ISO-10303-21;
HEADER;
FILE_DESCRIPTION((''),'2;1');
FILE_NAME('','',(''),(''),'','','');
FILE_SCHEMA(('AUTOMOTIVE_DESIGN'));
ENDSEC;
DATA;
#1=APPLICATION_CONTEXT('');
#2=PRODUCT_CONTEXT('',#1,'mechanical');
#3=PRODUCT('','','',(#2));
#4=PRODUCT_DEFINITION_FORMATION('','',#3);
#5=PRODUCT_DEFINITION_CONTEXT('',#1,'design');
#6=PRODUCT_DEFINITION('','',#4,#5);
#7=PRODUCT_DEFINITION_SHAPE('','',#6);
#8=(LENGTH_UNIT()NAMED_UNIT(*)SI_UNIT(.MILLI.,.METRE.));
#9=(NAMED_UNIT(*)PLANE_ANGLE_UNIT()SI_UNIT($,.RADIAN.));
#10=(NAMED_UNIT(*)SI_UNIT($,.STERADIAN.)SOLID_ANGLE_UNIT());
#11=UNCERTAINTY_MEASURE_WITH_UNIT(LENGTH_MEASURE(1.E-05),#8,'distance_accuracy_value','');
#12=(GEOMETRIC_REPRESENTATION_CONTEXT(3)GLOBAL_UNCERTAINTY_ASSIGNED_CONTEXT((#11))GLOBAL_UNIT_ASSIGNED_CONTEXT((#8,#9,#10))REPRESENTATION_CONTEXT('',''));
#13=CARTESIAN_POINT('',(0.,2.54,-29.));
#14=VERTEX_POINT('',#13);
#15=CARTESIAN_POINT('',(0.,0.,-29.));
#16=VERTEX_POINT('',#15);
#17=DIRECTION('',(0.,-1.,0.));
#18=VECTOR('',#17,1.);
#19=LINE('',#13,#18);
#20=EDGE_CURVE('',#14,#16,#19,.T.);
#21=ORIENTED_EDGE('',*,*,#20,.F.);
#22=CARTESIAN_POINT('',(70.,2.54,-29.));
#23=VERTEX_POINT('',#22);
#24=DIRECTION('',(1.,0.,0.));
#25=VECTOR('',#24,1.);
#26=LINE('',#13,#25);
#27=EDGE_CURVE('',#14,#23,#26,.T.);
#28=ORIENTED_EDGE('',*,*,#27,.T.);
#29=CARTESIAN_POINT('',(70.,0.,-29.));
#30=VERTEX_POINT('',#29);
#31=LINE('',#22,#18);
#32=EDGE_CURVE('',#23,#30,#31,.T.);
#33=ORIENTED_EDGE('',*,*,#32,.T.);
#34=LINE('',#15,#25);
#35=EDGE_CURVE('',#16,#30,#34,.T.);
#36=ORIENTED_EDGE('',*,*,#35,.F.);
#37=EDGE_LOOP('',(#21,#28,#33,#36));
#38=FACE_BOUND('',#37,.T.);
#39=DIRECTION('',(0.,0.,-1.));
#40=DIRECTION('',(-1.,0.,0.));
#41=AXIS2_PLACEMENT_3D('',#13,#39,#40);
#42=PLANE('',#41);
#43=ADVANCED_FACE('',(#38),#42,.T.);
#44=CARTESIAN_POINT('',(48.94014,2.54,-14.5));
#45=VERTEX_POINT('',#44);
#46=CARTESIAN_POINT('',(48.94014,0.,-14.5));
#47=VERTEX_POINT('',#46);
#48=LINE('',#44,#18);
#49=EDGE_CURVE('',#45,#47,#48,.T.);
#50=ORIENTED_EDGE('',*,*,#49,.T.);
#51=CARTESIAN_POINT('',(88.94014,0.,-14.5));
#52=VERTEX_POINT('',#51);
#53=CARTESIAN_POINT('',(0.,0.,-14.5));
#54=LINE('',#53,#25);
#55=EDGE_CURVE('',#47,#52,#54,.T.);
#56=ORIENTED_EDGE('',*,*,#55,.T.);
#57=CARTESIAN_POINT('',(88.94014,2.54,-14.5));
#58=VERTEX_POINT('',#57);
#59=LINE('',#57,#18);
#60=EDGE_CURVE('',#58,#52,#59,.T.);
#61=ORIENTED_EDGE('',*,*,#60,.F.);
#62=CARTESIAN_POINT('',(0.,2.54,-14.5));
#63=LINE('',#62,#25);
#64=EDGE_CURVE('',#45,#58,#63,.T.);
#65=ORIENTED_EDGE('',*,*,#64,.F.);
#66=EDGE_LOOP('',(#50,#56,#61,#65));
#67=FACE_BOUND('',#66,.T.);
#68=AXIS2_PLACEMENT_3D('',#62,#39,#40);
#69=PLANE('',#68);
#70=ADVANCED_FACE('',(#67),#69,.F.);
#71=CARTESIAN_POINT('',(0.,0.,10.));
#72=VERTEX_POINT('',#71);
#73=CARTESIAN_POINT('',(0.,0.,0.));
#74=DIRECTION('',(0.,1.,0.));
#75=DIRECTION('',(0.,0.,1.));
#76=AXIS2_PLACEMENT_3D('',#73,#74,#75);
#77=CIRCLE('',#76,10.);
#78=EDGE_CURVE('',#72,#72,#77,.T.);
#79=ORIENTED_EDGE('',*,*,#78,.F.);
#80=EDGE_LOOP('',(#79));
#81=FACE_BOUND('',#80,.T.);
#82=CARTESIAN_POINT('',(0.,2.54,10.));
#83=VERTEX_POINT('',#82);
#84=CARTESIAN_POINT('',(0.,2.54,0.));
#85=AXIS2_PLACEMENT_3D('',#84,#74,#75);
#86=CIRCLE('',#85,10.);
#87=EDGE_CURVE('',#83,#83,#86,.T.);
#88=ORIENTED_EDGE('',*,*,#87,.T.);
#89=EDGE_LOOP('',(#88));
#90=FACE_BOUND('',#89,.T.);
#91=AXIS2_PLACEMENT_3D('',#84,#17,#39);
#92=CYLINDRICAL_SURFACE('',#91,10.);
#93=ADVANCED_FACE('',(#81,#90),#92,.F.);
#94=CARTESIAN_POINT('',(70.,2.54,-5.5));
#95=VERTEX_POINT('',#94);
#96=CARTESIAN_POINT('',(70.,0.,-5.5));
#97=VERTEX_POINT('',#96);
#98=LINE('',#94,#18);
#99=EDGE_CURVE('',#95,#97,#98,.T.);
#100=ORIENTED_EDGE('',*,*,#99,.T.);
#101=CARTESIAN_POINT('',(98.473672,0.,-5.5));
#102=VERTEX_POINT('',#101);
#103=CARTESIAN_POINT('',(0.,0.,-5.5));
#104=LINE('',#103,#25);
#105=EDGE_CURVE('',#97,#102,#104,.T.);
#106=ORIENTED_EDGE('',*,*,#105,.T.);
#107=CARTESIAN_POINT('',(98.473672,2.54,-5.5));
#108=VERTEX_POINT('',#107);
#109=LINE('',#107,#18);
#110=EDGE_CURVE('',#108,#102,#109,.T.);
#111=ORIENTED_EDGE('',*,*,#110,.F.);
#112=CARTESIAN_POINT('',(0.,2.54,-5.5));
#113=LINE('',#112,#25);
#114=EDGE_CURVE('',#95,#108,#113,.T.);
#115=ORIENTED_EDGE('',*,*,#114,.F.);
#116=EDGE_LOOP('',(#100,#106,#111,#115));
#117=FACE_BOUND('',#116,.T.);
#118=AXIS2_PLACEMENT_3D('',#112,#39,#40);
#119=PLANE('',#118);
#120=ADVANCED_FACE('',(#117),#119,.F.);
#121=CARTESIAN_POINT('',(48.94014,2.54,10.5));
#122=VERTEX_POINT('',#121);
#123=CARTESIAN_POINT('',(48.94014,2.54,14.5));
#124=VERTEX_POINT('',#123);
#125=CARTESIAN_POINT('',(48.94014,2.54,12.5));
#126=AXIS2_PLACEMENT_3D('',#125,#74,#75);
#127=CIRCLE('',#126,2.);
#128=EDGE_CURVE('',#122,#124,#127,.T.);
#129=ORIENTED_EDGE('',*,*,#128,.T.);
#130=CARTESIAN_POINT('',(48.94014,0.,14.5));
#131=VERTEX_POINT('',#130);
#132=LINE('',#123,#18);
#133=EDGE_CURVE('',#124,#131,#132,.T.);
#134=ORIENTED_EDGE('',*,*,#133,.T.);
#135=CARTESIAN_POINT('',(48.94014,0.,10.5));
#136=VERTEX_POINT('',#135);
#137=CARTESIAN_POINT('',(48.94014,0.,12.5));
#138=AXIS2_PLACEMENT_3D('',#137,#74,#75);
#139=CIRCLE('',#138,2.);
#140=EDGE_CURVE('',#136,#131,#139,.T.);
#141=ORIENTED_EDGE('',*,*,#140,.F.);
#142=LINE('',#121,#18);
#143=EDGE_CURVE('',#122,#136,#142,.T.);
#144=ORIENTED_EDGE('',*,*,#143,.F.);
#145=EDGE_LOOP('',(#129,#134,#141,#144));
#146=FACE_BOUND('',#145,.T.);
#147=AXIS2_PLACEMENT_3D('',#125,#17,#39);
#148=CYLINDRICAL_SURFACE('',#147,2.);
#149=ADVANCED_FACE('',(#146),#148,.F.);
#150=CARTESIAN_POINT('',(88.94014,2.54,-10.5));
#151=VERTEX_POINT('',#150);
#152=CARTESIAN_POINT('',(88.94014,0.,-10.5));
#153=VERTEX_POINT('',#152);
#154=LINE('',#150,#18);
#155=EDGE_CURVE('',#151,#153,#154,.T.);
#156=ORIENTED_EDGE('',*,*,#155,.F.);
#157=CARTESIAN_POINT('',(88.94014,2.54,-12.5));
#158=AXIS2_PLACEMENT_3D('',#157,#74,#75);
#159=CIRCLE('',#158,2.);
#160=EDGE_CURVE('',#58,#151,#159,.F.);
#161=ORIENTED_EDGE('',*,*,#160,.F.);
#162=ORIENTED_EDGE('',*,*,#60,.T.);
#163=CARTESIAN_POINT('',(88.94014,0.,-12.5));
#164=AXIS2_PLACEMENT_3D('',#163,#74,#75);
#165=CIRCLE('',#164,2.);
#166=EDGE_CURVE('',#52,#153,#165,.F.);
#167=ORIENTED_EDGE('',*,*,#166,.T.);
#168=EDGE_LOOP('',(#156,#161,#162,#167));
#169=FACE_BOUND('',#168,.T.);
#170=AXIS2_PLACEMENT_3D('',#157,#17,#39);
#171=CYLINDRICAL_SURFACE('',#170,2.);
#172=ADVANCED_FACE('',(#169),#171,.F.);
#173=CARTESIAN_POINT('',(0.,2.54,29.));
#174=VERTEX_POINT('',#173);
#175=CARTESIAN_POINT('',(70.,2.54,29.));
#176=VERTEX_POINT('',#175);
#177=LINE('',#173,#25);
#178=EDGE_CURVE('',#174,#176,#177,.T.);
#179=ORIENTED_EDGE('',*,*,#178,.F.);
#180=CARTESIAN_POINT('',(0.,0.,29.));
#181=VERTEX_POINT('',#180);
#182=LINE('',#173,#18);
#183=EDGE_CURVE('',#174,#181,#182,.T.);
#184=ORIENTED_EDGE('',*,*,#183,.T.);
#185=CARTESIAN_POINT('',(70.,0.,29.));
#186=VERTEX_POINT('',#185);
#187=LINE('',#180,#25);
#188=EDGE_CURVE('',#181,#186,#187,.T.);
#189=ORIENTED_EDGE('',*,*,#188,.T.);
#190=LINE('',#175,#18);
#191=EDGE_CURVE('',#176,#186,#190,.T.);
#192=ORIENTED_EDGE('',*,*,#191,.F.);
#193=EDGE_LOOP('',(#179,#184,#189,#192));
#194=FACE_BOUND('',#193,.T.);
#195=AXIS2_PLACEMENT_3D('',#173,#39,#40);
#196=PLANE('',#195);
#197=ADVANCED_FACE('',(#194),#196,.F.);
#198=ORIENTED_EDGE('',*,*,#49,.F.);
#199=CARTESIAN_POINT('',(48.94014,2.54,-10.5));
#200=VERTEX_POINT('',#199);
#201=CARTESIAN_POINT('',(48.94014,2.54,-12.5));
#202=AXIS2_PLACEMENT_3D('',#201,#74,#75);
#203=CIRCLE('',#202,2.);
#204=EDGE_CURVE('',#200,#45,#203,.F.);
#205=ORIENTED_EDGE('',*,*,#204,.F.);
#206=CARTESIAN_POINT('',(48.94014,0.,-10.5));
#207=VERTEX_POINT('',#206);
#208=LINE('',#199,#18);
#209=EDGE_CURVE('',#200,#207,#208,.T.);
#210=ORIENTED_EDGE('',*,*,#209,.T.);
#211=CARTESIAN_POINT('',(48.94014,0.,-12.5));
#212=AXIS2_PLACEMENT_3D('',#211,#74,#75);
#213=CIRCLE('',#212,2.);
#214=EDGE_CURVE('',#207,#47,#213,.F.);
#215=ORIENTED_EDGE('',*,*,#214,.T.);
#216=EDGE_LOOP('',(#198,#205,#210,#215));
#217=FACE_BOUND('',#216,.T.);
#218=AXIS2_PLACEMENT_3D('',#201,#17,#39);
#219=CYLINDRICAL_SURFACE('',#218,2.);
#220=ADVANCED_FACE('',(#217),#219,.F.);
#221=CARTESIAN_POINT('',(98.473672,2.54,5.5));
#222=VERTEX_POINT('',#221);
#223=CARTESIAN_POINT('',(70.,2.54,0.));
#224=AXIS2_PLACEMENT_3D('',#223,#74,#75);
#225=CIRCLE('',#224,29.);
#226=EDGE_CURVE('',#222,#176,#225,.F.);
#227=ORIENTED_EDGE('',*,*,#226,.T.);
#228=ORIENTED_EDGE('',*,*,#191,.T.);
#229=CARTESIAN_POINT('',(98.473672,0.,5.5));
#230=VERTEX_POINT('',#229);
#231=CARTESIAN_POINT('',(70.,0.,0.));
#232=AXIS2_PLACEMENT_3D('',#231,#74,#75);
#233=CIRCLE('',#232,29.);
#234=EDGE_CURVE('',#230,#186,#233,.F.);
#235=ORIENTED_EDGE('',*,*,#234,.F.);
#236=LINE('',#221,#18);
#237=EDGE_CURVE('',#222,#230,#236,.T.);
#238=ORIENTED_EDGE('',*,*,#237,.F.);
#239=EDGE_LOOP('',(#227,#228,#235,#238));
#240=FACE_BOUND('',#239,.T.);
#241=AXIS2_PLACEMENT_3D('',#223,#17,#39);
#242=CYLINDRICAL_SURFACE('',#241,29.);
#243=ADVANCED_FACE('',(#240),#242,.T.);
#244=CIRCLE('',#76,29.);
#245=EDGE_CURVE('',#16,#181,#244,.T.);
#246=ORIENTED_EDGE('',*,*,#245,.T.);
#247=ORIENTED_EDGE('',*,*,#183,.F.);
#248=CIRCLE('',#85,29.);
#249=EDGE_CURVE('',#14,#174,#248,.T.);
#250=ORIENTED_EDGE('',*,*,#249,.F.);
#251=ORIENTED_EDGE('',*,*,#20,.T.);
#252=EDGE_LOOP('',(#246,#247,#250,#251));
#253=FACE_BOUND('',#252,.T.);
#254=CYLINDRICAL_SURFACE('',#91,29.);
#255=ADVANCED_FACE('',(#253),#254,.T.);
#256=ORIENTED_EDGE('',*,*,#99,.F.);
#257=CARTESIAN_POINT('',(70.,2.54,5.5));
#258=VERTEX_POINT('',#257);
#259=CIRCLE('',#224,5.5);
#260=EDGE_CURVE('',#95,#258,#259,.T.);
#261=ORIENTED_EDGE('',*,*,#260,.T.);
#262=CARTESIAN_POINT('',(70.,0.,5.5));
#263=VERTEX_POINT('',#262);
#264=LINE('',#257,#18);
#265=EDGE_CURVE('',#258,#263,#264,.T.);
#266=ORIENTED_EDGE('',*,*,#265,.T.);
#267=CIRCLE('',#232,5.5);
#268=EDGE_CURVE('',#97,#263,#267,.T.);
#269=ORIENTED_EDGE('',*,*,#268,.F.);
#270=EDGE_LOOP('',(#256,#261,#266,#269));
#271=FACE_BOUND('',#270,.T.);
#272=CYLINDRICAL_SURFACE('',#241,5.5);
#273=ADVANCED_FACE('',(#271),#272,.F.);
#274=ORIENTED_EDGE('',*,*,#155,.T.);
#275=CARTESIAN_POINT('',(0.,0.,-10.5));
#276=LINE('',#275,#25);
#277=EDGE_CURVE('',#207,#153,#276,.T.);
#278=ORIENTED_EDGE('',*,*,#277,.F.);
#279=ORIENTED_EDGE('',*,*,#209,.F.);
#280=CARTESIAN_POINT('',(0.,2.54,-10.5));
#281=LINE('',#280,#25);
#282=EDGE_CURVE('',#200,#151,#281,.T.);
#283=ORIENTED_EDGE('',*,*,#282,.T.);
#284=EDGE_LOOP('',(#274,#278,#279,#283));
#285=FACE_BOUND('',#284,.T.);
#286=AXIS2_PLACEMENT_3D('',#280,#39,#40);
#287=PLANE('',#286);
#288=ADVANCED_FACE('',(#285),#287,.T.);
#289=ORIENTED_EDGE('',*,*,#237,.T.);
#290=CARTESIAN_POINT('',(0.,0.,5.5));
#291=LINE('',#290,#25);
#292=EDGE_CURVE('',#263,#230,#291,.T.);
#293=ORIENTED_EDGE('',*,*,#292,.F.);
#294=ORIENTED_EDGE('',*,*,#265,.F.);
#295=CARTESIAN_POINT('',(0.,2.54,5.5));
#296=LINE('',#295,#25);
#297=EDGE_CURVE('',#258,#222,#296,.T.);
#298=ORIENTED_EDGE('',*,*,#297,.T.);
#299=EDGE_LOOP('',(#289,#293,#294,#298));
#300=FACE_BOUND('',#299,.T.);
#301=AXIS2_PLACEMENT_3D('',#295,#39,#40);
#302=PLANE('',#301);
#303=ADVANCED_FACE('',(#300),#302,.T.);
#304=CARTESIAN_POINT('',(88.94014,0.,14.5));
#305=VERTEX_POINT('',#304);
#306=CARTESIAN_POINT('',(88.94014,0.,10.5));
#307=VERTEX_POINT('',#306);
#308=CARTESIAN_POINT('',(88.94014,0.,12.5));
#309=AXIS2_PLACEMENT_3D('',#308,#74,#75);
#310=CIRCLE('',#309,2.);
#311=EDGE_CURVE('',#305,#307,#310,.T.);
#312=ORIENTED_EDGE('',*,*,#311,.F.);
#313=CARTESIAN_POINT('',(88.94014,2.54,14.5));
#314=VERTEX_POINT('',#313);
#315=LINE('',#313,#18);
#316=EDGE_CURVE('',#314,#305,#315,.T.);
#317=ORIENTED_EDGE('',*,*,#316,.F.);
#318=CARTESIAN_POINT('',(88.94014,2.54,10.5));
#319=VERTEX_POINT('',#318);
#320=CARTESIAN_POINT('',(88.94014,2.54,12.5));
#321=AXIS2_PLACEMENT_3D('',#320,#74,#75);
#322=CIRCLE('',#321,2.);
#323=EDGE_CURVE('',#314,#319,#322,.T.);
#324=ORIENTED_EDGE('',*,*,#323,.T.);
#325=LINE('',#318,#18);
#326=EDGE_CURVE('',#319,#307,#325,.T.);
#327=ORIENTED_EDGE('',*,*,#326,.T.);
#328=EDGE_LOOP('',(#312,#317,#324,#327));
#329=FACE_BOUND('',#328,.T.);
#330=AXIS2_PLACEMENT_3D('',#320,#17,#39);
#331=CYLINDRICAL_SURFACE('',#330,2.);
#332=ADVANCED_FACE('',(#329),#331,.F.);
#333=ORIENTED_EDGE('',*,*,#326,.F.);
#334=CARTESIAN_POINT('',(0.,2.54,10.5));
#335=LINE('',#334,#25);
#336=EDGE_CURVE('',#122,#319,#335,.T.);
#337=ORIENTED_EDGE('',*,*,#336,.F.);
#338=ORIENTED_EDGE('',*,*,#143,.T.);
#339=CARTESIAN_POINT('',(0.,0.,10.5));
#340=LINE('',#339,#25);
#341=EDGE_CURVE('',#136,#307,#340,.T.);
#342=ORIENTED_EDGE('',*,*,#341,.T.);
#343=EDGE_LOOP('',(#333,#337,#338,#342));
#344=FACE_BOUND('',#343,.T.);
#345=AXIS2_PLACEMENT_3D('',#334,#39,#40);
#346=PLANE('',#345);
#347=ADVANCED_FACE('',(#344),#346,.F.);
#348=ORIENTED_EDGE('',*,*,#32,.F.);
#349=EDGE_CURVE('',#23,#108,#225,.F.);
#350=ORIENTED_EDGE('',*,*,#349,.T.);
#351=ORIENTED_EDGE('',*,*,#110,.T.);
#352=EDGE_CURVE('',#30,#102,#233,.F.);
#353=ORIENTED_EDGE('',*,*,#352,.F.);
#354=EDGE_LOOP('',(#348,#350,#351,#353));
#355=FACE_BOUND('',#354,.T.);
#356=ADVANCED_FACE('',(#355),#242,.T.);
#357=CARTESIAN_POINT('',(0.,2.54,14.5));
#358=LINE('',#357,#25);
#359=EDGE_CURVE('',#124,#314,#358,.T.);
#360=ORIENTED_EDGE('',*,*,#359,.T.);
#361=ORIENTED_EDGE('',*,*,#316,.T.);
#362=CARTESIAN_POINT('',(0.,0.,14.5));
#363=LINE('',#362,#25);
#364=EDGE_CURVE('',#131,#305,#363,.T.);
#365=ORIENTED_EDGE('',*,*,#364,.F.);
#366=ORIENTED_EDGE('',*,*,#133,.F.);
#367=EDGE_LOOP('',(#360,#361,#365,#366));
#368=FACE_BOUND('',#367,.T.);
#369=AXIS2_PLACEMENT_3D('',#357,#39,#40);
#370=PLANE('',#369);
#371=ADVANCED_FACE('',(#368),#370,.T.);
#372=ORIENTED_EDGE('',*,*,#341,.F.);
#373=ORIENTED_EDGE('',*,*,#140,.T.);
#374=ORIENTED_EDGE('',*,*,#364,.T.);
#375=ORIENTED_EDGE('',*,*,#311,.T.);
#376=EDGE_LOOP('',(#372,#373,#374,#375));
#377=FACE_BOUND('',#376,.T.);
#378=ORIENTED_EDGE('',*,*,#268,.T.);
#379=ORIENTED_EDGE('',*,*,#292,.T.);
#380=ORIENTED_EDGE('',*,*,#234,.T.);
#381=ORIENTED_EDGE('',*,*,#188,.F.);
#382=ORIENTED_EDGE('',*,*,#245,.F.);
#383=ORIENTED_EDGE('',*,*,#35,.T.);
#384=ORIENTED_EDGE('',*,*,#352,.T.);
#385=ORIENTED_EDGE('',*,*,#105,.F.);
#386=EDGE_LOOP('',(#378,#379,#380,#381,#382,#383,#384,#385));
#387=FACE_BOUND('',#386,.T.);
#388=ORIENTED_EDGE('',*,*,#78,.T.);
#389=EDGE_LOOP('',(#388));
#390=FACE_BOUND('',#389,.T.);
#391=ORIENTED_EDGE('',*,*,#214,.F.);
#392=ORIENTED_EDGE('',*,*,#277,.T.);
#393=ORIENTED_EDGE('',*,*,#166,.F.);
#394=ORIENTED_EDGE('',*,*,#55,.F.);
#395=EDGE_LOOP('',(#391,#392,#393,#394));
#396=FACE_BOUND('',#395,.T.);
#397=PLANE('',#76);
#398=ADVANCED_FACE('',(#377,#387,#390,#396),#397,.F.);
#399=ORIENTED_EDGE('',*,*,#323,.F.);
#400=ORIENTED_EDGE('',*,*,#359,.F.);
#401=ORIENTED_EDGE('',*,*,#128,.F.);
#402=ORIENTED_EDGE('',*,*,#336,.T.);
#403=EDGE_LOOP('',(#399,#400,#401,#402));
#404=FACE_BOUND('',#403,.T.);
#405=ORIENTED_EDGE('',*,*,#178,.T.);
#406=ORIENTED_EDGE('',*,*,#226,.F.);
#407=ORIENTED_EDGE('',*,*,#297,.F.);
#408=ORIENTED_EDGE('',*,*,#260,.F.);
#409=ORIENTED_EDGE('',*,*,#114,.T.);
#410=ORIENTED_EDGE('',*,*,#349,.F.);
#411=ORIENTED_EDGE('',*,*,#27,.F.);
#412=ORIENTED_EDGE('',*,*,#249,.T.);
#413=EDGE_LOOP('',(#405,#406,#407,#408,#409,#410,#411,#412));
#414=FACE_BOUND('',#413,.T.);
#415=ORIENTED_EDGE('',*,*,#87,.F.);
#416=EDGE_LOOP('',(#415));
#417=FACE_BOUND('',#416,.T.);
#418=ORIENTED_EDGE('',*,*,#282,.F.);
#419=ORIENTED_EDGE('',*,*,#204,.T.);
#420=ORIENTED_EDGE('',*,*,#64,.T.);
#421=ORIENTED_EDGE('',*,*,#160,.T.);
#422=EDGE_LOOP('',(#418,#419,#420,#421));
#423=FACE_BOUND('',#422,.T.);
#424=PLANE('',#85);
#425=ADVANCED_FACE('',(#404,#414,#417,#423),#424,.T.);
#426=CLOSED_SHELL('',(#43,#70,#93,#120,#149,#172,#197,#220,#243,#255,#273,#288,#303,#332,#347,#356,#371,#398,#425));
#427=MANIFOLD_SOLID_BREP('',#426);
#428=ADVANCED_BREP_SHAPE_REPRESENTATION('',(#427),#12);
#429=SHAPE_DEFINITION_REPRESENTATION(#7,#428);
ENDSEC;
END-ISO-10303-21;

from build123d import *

# Parameters (mm, degrees)
SKETCH1_R           = 29
SKETCH1_R_2         = 10
BOSS_EXTRUDE1_DEPTH = 2.54


with BuildPart() as part:
    # Sketch1 → Boss-Extrude1 (new body)
    with BuildSketch(Plane(origin=(0, 0, 0), x_dir=(1, 0, 0), z_dir=(0, 1, 0))):
        Circle(SKETCH1_R)
        Circle(SKETCH1_R_2, mode=Mode.SUBTRACT)
        with BuildLine():
            Line((70, 29), (0, 29))
            ThreePointArc((0, 29), (20.506096654, 20.506096654), (29, 0))
            ThreePointArc((29, 0), (20.506096654, -20.506096654), (0, -29))
            Line((0, -29), (70, -29))
            ThreePointArc((70, -29), (88.459414942, -22.366269246), (98.47367205, -5.5))
            Line((98.47367205, -5.5), (70, -5.5))
            ThreePointArc((70, -5.5), (64.5, 0), (70, 5.5))
            Line((70, 5.5), (98.47367205, 5.5))
            ThreePointArc((98.47367205, 5.5), (88.459414942, 22.366269246), (70, 29))
        make_face()
        with BuildLine():
            Line((88.940140067, -14.5), (48.940140067, -14.5))
            ThreePointArc((48.940140067, -14.5), (46.940140067, -12.5), (48.940140067, -10.5))
            Line((48.940140067, -10.5), (88.940140067, -10.5))
            ThreePointArc((88.940140067, -10.5), (90.354353629, -11.085786438), (90.940140067, -12.5))
            ThreePointArc((90.940140067, -12.5), (90.354353629, -13.914213562), (88.940140067, -14.5))
        make_face(mode=Mode.SUBTRACT)
        with BuildLine():
            Line((88.940140067, 10.5), (48.940140067, 10.5))
            ThreePointArc((48.940140067, 10.5), (46.940140067, 12.5), (48.940140067, 14.5))
            Line((48.940140067, 14.5), (88.940140067, 14.5))
            ThreePointArc((88.940140067, 14.5), (90.354353629, 13.914213562), (90.940140067, 12.5))
            ThreePointArc((90.940140067, 12.5), (90.354353629, 11.085786438), (88.940140067, 10.5))
        make_face(mode=Mode.SUBTRACT)
    extrude(amount=BOSS_EXTRUDE1_DEPTH)


solid = part.part
